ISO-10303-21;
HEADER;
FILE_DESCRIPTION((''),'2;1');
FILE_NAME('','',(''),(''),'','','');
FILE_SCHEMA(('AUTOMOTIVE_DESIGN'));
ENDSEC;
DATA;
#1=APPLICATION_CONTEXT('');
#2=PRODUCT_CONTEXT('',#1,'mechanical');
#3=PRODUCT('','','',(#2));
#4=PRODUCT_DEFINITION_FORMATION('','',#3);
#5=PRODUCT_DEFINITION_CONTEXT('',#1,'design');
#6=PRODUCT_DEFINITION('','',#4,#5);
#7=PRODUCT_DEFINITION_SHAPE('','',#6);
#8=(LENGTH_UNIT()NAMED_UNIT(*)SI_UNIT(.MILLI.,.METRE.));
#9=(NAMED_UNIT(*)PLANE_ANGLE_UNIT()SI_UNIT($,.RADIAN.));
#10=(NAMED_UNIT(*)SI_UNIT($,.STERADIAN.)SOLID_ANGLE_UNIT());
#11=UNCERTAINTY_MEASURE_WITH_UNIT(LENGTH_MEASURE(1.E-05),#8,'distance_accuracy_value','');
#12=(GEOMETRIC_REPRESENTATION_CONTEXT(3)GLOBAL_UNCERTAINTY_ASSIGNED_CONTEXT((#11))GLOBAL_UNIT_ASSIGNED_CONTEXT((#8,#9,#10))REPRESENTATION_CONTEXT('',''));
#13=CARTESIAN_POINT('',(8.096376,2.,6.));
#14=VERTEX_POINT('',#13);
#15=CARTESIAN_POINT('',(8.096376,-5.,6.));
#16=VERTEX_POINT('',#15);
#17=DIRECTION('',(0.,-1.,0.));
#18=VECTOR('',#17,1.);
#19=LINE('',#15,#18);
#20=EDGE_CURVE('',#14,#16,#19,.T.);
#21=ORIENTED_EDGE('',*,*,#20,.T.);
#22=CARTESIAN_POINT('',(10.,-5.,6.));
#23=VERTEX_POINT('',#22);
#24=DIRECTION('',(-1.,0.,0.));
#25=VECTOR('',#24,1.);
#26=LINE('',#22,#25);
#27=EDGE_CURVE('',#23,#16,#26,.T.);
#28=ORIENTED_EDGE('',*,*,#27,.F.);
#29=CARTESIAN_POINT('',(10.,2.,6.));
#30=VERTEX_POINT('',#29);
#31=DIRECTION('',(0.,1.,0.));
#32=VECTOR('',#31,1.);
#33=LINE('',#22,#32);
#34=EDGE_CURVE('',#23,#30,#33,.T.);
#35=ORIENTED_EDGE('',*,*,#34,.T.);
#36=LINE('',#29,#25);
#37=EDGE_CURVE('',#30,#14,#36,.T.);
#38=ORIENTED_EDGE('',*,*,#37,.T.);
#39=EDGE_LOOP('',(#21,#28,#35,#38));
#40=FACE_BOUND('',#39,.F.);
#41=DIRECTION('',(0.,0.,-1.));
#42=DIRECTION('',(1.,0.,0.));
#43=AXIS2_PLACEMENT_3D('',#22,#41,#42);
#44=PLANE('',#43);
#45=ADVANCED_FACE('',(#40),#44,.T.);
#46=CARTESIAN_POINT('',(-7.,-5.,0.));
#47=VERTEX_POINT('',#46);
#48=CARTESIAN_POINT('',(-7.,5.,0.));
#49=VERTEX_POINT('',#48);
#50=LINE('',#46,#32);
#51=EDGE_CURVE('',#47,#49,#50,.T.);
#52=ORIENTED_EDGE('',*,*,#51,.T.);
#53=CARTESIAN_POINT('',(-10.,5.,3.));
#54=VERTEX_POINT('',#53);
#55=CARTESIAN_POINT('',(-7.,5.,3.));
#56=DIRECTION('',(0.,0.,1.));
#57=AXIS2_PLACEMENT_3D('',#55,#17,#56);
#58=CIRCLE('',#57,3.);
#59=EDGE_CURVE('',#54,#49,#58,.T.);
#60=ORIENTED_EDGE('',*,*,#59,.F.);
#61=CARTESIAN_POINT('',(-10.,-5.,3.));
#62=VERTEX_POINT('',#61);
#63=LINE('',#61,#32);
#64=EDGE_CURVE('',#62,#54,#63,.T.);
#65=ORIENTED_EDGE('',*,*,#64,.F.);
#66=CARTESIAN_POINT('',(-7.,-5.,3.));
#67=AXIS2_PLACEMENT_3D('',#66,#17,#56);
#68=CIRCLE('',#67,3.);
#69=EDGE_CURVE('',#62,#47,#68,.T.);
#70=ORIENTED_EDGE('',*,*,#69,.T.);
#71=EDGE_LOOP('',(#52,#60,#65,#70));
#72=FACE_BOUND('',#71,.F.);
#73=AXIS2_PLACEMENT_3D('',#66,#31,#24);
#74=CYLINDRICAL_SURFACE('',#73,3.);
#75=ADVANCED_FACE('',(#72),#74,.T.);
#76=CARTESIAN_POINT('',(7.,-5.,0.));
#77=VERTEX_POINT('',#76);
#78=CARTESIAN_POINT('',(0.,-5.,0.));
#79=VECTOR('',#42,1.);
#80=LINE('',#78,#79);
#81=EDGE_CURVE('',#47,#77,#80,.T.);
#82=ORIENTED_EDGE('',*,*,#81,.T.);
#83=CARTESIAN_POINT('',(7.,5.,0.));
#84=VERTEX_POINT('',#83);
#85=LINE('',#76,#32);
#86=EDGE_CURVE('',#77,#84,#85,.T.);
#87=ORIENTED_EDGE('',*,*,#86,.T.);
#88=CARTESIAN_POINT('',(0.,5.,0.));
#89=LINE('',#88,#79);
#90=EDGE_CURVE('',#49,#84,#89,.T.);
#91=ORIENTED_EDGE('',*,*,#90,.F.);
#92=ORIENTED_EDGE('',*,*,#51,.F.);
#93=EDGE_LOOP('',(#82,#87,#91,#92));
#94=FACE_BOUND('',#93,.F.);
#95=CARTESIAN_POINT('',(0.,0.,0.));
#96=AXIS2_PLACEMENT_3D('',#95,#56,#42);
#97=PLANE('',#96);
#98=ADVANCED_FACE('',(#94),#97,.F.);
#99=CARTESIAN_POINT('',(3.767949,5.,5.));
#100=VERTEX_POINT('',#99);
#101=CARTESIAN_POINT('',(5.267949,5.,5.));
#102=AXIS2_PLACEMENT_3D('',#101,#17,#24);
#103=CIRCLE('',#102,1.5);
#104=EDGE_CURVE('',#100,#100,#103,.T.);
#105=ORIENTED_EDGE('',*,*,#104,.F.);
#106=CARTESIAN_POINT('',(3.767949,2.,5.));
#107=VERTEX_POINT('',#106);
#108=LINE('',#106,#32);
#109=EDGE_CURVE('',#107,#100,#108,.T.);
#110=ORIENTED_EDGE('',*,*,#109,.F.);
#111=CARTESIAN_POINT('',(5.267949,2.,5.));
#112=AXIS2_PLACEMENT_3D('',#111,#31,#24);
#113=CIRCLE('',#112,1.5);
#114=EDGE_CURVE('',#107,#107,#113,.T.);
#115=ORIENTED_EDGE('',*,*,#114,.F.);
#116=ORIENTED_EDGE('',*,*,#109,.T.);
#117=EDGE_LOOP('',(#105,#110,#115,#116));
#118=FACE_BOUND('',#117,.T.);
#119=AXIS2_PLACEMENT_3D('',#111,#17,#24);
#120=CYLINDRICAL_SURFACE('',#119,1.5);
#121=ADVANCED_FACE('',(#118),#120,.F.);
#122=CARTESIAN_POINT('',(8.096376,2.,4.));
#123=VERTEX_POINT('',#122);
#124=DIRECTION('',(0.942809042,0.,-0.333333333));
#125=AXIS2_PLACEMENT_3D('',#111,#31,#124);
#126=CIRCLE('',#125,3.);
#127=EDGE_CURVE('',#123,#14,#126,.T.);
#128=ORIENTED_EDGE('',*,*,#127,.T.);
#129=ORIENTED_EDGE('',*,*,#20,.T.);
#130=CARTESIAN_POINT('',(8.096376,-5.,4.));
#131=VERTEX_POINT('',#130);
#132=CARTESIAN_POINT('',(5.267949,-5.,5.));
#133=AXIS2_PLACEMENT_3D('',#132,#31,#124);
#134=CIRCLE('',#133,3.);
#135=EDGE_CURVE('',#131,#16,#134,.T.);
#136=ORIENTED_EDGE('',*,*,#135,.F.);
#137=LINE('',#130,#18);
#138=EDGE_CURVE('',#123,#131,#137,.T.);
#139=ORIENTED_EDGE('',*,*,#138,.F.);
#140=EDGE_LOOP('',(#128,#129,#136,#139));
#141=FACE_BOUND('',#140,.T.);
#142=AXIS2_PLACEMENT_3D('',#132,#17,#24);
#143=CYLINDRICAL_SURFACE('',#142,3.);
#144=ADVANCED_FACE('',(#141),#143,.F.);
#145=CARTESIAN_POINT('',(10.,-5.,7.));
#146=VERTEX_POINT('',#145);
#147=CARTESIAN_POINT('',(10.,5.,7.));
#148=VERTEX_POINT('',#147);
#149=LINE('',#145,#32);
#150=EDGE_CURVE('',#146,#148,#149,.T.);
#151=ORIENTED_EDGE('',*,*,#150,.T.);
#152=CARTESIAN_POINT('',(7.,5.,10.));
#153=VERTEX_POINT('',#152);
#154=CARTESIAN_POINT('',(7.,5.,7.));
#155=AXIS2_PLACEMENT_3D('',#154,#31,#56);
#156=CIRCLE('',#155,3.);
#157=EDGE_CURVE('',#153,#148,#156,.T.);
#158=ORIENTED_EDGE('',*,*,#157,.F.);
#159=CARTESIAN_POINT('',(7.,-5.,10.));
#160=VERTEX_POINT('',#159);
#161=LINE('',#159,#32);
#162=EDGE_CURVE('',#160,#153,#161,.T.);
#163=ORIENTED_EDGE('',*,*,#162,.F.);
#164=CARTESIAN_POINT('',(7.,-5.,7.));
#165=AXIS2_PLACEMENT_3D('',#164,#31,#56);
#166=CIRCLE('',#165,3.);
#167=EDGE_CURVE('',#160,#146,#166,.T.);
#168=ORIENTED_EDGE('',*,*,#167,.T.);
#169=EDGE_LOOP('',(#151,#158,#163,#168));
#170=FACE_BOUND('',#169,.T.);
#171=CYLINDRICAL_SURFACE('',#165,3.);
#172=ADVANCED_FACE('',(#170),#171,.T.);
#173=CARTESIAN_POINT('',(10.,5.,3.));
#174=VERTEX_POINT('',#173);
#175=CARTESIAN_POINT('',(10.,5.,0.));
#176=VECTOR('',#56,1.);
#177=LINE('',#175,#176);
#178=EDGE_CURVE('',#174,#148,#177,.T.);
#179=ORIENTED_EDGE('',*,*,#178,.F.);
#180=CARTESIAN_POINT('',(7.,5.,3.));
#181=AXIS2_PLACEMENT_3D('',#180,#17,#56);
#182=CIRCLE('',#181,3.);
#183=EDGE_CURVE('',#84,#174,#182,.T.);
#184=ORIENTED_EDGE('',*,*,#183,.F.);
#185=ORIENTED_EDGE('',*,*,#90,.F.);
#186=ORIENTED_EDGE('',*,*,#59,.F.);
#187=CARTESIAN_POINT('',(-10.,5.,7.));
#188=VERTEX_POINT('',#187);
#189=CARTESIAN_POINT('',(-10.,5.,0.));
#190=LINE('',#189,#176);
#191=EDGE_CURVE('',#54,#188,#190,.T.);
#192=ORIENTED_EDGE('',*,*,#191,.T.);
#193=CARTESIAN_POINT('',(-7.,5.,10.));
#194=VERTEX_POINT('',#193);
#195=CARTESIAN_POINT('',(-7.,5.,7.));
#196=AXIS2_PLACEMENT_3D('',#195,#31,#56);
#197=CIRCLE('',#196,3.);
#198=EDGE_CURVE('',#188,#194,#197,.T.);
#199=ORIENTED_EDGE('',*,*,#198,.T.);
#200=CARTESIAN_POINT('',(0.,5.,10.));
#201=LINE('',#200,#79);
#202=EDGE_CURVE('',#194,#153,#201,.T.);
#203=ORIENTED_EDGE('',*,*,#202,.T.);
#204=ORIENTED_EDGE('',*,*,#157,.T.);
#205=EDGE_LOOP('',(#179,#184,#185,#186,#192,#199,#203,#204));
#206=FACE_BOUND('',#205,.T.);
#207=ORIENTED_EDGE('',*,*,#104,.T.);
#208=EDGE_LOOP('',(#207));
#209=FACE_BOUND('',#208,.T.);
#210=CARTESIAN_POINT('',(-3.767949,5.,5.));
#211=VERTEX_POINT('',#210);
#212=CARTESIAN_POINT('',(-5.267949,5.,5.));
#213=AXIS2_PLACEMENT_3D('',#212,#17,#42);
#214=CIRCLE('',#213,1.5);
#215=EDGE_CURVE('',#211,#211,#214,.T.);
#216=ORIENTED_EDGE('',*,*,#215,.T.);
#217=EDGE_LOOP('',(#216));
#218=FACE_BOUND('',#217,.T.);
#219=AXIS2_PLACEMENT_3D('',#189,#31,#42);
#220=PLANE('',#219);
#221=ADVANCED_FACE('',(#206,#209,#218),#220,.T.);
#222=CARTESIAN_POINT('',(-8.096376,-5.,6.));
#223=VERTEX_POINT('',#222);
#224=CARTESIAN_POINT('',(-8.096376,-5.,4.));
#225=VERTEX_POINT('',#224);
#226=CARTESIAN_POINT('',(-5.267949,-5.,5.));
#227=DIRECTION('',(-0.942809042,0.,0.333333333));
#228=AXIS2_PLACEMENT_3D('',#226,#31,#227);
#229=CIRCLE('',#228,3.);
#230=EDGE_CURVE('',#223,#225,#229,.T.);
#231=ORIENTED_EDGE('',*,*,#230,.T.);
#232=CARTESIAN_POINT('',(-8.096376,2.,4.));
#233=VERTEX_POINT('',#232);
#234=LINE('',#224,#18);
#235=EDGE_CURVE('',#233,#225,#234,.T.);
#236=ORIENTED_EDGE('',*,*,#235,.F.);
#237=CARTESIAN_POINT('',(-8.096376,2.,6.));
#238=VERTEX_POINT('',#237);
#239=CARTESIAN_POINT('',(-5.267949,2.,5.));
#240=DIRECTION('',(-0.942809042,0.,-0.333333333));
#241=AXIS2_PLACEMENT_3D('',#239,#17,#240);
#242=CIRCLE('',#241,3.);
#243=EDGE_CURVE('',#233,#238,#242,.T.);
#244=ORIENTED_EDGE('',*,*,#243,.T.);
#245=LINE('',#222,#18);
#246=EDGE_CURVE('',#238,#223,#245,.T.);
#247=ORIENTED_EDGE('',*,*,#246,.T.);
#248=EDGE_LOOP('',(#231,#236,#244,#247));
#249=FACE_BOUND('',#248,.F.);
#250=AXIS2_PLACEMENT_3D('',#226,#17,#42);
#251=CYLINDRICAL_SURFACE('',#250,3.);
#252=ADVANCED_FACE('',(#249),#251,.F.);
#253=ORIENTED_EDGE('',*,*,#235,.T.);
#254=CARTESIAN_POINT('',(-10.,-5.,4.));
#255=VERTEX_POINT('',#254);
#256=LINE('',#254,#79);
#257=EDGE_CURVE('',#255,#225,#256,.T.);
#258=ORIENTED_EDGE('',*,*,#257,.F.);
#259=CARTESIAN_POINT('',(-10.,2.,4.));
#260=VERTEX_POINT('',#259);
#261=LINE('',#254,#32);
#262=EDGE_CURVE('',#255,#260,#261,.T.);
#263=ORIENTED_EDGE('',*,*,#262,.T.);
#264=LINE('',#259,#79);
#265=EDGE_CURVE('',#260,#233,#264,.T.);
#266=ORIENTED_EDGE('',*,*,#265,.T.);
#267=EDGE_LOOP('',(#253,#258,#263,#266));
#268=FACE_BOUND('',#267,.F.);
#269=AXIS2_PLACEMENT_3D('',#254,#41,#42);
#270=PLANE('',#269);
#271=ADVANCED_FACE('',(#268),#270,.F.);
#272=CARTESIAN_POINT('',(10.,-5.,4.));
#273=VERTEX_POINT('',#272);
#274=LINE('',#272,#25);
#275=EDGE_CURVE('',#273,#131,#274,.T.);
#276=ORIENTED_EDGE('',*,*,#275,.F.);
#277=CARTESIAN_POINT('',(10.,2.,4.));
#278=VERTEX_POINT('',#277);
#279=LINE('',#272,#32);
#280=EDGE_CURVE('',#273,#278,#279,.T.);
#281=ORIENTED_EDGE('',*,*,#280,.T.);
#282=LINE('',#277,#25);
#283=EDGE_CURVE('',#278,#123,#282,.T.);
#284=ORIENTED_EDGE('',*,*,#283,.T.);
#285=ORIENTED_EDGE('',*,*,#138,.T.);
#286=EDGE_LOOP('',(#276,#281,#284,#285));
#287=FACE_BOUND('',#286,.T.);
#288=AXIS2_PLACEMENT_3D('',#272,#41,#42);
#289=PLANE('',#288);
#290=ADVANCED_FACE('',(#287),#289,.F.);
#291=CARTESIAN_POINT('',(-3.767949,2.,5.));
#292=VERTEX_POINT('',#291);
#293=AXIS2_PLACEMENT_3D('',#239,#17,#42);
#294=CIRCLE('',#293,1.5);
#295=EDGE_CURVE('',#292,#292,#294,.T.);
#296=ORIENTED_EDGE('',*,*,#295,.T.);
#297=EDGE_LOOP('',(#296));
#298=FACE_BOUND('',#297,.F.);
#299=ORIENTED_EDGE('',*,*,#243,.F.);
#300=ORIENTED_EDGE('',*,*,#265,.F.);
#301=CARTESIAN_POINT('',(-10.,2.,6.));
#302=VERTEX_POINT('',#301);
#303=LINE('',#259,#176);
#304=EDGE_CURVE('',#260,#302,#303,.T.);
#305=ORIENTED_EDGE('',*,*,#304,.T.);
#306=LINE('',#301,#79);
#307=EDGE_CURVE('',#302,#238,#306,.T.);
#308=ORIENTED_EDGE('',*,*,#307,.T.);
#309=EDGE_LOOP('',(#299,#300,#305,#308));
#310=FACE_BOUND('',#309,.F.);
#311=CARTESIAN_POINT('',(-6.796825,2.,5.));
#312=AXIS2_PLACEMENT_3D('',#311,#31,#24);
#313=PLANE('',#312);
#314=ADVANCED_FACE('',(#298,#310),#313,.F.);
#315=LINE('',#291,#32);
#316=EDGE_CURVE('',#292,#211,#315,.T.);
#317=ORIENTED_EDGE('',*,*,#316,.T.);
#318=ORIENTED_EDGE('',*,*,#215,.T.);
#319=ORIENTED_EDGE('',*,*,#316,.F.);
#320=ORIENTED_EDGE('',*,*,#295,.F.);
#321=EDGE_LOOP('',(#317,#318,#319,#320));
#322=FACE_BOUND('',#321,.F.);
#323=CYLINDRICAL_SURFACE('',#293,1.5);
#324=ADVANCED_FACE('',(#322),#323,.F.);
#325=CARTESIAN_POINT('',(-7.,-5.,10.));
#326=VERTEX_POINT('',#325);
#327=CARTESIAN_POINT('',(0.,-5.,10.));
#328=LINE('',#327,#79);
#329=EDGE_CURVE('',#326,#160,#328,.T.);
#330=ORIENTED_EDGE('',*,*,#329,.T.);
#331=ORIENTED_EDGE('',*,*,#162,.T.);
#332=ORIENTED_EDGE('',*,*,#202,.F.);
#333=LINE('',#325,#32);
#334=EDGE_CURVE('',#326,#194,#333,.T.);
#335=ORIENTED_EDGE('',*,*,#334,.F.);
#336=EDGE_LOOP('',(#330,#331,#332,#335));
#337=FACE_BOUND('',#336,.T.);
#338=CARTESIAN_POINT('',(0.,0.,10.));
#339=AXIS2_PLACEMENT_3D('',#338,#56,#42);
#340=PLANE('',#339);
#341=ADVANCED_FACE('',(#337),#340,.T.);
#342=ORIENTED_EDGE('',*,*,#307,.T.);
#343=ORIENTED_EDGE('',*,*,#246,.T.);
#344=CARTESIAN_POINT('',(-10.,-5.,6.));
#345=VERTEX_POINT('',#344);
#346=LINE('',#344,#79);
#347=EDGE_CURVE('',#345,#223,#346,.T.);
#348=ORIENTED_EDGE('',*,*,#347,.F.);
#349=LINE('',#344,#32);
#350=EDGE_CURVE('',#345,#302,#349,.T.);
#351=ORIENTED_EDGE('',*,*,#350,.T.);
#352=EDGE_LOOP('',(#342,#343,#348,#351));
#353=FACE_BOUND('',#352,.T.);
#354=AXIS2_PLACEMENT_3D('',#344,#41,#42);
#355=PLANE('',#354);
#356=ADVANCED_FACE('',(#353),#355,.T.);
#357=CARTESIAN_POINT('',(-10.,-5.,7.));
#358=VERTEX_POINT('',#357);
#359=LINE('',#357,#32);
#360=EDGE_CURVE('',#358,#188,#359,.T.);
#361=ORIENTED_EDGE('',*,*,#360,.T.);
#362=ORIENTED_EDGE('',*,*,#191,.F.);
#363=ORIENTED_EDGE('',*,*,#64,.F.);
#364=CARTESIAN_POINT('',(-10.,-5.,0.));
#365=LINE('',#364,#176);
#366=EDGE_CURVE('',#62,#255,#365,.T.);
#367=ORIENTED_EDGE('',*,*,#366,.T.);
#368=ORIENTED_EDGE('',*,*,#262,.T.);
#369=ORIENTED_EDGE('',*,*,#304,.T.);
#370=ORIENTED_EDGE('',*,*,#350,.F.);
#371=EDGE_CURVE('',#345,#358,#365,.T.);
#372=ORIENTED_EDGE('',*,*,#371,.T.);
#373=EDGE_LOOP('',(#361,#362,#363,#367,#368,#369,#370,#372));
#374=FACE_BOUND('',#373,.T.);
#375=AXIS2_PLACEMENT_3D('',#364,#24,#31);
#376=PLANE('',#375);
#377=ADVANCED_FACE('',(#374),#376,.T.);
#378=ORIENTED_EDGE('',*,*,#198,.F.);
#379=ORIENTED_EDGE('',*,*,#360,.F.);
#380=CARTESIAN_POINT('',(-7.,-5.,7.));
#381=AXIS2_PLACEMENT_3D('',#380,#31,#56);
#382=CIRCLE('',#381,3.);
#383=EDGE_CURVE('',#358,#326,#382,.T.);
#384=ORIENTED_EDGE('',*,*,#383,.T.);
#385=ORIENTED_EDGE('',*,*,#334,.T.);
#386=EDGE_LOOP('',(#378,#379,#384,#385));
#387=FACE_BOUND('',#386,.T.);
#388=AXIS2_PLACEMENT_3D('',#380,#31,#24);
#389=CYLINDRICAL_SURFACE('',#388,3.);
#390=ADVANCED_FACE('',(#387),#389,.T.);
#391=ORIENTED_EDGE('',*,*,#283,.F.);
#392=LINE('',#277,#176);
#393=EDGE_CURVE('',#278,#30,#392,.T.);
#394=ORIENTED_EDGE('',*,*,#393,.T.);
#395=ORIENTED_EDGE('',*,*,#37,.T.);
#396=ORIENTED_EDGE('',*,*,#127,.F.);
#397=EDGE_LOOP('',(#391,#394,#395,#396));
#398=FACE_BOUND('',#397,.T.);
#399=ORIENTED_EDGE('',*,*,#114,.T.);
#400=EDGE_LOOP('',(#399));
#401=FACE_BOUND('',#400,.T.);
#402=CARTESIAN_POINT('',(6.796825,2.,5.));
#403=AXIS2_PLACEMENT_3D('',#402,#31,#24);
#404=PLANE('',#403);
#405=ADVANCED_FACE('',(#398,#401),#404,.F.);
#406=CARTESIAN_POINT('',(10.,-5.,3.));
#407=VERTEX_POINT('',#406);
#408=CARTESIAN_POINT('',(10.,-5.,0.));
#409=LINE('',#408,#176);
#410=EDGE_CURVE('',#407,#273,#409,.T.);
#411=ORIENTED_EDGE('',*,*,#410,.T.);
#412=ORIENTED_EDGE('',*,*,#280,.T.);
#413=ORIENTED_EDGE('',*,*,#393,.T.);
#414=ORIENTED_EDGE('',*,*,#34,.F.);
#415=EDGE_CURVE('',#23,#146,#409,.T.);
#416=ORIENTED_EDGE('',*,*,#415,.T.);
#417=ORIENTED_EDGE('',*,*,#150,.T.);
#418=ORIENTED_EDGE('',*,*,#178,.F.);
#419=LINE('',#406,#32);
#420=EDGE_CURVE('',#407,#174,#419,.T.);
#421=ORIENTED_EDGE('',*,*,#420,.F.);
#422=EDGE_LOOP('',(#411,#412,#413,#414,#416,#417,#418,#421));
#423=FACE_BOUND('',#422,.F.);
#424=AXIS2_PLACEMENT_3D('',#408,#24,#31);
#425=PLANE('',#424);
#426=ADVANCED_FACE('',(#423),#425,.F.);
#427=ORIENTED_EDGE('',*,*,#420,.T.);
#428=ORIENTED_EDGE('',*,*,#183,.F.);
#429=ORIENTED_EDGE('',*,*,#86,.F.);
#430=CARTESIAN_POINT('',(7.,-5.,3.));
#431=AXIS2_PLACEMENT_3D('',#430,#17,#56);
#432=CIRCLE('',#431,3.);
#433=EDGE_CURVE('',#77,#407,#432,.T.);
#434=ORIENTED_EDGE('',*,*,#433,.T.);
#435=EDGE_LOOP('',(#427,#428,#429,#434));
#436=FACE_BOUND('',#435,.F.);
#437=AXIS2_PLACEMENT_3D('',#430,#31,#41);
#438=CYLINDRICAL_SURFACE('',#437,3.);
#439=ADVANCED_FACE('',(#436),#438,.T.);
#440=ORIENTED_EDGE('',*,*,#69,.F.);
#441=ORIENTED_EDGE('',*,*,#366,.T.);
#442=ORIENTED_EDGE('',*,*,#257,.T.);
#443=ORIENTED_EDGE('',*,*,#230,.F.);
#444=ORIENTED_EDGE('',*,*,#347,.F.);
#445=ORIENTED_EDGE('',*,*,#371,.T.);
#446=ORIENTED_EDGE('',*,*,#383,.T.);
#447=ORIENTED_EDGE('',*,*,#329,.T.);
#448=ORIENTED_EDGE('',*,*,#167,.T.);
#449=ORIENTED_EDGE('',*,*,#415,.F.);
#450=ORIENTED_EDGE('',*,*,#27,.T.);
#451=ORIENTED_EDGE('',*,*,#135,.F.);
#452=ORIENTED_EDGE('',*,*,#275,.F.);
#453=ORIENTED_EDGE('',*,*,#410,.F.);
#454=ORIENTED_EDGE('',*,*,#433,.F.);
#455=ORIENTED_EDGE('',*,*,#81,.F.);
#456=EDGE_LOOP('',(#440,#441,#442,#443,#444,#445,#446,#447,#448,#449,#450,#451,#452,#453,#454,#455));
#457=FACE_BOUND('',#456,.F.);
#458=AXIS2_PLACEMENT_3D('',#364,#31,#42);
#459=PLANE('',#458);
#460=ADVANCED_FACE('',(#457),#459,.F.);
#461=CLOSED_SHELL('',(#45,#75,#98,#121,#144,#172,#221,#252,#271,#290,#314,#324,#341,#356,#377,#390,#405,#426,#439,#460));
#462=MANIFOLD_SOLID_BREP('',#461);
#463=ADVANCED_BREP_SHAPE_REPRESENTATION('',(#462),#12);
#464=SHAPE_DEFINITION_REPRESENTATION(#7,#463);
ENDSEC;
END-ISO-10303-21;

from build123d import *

# Parameters (mm, degrees)
SKETCH_W        = 20
SKETCH_H        = 10
PAD_DEPTH       = 10
POCKET_DEPTH    = 7
SKETCH002_R     = 3
POCKET001_DEPTH = 7
SKETCH003_R     = 1.5
POCKET002_DEPTH = 5
FILLET_R        = 3


with BuildPart() as part:
    # Sketch → Pad (new body)
    with BuildSketch(Plane.XY):
        Rectangle(SKETCH_W, SKETCH_H)
    extrude(amount=PAD_DEPTH)

    # Sketch001 (on Face1 of Pad) → Pocket (cut)
    with BuildSketch(Plane.XZ.offset(5)):
        with BuildLine():
            Line((-10, 4), (-10, 6))
            Line((-10, 6), (-7, 6))
            ThreePointArc((-7, 4), (-3.267949, 5), (-7, 6))
            Line((-10, 4), (-7, 4))
        make_face()
    pocket = extrude(amount=-POCKET_DEPTH, mode=Mode.SUBTRACT)

    # Sketch002 (on Face1 of Pocket) → Pocket001 (cut)
    with BuildSketch(Plane.XZ.offset(5)):
        with Locations((-5.267949, 5)):
            Circle(SKETCH002_R)
    pocket001 = extrude(amount=-POCKET001_DEPTH, mode=Mode.SUBTRACT)

    # Sketch003 (on Face9 of Pocket001) → Pocket002 (cut)
    with BuildSketch(Plane.XZ.offset(-2)):
        with Locations((-5.267949, 5)):
            Circle(SKETCH003_R)
    pocket002 = extrude(amount=-POCKET002_DEPTH, mode=Mode.SUBTRACT)

    # Mirrored: Pocket, Pocket001, Pocket002 across Sketch001 V_Axis
    add(pocket.mirror(Plane(origin=(0, -5, 0), x_dir=(0, -1, 0), z_dir=(1, 0, 0))), mode=Mode.SUBTRACT)
    add(pocket001.mirror(Plane(origin=(0, -5, 0), x_dir=(0, -1, 0), z_dir=(1, 0, 0))), mode=Mode.SUBTRACT)
    add(pocket002.mirror(Plane(origin=(0, -5, 0), x_dir=(0, -1, 0), z_dir=(1, 0, 0))), mode=Mode.SUBTRACT)

    # Fillet
    fillet_edges = [part.edges().sort_by_distance(p)[0] for p in [
        (-10, 0, 10),
        (-10, 0, 0),
        (10, 0, 10),
        (10, 0, 0),
    ]]
    fillet(fillet_edges, radius=FILLET_R)


solid = part.part
